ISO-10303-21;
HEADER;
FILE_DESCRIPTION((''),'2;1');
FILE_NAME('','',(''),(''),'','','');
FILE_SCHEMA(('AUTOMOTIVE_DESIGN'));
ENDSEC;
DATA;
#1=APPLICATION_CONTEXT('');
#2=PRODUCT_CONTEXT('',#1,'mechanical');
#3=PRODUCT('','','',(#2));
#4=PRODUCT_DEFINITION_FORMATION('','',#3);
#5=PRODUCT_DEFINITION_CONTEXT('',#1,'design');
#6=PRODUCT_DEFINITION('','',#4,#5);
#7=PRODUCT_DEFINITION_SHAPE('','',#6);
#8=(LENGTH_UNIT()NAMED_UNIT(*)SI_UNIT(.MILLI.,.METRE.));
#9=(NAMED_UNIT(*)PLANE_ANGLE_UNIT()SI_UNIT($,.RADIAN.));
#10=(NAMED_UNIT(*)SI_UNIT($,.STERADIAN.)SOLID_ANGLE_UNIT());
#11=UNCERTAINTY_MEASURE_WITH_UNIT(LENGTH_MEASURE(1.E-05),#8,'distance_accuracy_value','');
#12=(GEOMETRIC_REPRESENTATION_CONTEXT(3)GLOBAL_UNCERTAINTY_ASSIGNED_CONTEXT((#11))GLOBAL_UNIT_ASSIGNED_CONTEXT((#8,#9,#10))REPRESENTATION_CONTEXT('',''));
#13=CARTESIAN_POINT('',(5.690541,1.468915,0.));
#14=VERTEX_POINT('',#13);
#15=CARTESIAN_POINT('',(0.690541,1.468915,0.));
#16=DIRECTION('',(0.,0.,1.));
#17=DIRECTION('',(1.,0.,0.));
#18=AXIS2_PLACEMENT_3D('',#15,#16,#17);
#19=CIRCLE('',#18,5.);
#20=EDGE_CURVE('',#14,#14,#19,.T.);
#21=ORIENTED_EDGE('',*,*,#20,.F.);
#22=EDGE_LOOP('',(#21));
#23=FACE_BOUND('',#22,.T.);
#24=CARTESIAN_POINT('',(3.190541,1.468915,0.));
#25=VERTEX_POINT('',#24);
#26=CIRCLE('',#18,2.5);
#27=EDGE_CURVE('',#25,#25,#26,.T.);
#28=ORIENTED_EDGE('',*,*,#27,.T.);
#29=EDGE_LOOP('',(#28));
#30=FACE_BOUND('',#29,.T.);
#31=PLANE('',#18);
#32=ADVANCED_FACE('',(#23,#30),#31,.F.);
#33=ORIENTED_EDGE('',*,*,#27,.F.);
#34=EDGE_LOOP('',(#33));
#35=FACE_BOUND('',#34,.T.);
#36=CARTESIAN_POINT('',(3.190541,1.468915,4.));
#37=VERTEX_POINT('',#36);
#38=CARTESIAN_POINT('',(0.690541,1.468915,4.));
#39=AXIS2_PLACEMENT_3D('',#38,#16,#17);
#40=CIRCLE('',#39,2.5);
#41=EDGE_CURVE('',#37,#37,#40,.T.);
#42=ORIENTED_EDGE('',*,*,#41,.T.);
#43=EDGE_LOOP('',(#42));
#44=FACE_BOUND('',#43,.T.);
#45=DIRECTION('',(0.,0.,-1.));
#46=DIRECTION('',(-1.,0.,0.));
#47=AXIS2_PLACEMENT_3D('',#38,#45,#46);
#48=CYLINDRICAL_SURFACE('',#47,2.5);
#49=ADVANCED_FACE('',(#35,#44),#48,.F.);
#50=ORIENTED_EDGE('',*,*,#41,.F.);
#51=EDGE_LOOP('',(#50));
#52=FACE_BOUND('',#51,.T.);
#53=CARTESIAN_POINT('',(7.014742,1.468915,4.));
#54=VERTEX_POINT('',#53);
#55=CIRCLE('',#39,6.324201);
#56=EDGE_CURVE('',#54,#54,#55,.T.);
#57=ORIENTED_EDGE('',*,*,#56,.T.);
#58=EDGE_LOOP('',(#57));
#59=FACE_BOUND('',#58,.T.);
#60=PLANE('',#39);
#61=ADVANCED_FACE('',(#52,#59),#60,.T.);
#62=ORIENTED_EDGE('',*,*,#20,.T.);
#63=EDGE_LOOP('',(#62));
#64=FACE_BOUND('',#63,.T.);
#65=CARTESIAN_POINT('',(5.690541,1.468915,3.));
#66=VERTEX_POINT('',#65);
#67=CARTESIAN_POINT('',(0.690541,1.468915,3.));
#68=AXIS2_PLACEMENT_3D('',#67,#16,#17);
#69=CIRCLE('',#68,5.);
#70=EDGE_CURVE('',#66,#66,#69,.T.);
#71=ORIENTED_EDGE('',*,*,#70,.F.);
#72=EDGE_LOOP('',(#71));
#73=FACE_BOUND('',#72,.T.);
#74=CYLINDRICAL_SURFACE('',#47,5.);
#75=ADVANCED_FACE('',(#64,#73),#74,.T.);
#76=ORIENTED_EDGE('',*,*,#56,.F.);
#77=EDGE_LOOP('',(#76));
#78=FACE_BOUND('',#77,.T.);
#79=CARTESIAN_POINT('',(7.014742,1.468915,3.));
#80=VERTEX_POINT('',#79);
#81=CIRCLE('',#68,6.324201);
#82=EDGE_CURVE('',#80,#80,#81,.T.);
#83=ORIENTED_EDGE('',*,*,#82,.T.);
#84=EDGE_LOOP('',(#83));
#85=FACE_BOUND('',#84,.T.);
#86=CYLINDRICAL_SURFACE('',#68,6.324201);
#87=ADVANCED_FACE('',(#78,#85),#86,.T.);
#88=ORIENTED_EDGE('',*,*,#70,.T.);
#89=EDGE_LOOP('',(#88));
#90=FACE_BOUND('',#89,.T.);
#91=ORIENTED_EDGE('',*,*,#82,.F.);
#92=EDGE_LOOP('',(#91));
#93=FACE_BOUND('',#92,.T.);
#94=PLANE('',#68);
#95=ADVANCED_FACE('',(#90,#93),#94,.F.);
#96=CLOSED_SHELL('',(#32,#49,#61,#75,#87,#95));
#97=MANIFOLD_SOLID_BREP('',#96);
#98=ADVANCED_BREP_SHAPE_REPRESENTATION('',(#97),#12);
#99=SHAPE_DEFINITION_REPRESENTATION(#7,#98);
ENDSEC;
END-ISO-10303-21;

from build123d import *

# Parameters (mm, degrees)
SKETCH_1_R      = 5
SKETCH_1_R_2    = 2.5
EXTRUDE_1_DEPTH = 4
EXTRUDE_START   = -1
SKETCH_2_R      = 6.324200638
SKETCH_2_R_2    = 2.5
EXTRUDE_2_DEPTH = 1


with BuildPart() as part:
    # 草图1 → 凸台-拉伸1 (new body)
    with BuildSketch(Plane.XY):
        with Locations((0.69054098, 1.468914548)):
            Circle(SKETCH_1_R)
        with Locations((0.69054098, 1.468914548)):
            Circle(SKETCH_1_R_2, mode=Mode.SUBTRACT)
    extrude(amount=EXTRUDE_1_DEPTH)

    # 草图2 → 凸台-拉伸2 (add)
    with BuildSketch(Plane.XY.offset(4).offset(EXTRUDE_START)):
        with Locations((0.69054098, 1.468914548)):
            Circle(SKETCH_2_R)
        with Locations((0.69054098, 1.468914548)):
            Circle(SKETCH_2_R_2, mode=Mode.SUBTRACT)
    extrude(amount=EXTRUDE_2_DEPTH)


solid = part.part
